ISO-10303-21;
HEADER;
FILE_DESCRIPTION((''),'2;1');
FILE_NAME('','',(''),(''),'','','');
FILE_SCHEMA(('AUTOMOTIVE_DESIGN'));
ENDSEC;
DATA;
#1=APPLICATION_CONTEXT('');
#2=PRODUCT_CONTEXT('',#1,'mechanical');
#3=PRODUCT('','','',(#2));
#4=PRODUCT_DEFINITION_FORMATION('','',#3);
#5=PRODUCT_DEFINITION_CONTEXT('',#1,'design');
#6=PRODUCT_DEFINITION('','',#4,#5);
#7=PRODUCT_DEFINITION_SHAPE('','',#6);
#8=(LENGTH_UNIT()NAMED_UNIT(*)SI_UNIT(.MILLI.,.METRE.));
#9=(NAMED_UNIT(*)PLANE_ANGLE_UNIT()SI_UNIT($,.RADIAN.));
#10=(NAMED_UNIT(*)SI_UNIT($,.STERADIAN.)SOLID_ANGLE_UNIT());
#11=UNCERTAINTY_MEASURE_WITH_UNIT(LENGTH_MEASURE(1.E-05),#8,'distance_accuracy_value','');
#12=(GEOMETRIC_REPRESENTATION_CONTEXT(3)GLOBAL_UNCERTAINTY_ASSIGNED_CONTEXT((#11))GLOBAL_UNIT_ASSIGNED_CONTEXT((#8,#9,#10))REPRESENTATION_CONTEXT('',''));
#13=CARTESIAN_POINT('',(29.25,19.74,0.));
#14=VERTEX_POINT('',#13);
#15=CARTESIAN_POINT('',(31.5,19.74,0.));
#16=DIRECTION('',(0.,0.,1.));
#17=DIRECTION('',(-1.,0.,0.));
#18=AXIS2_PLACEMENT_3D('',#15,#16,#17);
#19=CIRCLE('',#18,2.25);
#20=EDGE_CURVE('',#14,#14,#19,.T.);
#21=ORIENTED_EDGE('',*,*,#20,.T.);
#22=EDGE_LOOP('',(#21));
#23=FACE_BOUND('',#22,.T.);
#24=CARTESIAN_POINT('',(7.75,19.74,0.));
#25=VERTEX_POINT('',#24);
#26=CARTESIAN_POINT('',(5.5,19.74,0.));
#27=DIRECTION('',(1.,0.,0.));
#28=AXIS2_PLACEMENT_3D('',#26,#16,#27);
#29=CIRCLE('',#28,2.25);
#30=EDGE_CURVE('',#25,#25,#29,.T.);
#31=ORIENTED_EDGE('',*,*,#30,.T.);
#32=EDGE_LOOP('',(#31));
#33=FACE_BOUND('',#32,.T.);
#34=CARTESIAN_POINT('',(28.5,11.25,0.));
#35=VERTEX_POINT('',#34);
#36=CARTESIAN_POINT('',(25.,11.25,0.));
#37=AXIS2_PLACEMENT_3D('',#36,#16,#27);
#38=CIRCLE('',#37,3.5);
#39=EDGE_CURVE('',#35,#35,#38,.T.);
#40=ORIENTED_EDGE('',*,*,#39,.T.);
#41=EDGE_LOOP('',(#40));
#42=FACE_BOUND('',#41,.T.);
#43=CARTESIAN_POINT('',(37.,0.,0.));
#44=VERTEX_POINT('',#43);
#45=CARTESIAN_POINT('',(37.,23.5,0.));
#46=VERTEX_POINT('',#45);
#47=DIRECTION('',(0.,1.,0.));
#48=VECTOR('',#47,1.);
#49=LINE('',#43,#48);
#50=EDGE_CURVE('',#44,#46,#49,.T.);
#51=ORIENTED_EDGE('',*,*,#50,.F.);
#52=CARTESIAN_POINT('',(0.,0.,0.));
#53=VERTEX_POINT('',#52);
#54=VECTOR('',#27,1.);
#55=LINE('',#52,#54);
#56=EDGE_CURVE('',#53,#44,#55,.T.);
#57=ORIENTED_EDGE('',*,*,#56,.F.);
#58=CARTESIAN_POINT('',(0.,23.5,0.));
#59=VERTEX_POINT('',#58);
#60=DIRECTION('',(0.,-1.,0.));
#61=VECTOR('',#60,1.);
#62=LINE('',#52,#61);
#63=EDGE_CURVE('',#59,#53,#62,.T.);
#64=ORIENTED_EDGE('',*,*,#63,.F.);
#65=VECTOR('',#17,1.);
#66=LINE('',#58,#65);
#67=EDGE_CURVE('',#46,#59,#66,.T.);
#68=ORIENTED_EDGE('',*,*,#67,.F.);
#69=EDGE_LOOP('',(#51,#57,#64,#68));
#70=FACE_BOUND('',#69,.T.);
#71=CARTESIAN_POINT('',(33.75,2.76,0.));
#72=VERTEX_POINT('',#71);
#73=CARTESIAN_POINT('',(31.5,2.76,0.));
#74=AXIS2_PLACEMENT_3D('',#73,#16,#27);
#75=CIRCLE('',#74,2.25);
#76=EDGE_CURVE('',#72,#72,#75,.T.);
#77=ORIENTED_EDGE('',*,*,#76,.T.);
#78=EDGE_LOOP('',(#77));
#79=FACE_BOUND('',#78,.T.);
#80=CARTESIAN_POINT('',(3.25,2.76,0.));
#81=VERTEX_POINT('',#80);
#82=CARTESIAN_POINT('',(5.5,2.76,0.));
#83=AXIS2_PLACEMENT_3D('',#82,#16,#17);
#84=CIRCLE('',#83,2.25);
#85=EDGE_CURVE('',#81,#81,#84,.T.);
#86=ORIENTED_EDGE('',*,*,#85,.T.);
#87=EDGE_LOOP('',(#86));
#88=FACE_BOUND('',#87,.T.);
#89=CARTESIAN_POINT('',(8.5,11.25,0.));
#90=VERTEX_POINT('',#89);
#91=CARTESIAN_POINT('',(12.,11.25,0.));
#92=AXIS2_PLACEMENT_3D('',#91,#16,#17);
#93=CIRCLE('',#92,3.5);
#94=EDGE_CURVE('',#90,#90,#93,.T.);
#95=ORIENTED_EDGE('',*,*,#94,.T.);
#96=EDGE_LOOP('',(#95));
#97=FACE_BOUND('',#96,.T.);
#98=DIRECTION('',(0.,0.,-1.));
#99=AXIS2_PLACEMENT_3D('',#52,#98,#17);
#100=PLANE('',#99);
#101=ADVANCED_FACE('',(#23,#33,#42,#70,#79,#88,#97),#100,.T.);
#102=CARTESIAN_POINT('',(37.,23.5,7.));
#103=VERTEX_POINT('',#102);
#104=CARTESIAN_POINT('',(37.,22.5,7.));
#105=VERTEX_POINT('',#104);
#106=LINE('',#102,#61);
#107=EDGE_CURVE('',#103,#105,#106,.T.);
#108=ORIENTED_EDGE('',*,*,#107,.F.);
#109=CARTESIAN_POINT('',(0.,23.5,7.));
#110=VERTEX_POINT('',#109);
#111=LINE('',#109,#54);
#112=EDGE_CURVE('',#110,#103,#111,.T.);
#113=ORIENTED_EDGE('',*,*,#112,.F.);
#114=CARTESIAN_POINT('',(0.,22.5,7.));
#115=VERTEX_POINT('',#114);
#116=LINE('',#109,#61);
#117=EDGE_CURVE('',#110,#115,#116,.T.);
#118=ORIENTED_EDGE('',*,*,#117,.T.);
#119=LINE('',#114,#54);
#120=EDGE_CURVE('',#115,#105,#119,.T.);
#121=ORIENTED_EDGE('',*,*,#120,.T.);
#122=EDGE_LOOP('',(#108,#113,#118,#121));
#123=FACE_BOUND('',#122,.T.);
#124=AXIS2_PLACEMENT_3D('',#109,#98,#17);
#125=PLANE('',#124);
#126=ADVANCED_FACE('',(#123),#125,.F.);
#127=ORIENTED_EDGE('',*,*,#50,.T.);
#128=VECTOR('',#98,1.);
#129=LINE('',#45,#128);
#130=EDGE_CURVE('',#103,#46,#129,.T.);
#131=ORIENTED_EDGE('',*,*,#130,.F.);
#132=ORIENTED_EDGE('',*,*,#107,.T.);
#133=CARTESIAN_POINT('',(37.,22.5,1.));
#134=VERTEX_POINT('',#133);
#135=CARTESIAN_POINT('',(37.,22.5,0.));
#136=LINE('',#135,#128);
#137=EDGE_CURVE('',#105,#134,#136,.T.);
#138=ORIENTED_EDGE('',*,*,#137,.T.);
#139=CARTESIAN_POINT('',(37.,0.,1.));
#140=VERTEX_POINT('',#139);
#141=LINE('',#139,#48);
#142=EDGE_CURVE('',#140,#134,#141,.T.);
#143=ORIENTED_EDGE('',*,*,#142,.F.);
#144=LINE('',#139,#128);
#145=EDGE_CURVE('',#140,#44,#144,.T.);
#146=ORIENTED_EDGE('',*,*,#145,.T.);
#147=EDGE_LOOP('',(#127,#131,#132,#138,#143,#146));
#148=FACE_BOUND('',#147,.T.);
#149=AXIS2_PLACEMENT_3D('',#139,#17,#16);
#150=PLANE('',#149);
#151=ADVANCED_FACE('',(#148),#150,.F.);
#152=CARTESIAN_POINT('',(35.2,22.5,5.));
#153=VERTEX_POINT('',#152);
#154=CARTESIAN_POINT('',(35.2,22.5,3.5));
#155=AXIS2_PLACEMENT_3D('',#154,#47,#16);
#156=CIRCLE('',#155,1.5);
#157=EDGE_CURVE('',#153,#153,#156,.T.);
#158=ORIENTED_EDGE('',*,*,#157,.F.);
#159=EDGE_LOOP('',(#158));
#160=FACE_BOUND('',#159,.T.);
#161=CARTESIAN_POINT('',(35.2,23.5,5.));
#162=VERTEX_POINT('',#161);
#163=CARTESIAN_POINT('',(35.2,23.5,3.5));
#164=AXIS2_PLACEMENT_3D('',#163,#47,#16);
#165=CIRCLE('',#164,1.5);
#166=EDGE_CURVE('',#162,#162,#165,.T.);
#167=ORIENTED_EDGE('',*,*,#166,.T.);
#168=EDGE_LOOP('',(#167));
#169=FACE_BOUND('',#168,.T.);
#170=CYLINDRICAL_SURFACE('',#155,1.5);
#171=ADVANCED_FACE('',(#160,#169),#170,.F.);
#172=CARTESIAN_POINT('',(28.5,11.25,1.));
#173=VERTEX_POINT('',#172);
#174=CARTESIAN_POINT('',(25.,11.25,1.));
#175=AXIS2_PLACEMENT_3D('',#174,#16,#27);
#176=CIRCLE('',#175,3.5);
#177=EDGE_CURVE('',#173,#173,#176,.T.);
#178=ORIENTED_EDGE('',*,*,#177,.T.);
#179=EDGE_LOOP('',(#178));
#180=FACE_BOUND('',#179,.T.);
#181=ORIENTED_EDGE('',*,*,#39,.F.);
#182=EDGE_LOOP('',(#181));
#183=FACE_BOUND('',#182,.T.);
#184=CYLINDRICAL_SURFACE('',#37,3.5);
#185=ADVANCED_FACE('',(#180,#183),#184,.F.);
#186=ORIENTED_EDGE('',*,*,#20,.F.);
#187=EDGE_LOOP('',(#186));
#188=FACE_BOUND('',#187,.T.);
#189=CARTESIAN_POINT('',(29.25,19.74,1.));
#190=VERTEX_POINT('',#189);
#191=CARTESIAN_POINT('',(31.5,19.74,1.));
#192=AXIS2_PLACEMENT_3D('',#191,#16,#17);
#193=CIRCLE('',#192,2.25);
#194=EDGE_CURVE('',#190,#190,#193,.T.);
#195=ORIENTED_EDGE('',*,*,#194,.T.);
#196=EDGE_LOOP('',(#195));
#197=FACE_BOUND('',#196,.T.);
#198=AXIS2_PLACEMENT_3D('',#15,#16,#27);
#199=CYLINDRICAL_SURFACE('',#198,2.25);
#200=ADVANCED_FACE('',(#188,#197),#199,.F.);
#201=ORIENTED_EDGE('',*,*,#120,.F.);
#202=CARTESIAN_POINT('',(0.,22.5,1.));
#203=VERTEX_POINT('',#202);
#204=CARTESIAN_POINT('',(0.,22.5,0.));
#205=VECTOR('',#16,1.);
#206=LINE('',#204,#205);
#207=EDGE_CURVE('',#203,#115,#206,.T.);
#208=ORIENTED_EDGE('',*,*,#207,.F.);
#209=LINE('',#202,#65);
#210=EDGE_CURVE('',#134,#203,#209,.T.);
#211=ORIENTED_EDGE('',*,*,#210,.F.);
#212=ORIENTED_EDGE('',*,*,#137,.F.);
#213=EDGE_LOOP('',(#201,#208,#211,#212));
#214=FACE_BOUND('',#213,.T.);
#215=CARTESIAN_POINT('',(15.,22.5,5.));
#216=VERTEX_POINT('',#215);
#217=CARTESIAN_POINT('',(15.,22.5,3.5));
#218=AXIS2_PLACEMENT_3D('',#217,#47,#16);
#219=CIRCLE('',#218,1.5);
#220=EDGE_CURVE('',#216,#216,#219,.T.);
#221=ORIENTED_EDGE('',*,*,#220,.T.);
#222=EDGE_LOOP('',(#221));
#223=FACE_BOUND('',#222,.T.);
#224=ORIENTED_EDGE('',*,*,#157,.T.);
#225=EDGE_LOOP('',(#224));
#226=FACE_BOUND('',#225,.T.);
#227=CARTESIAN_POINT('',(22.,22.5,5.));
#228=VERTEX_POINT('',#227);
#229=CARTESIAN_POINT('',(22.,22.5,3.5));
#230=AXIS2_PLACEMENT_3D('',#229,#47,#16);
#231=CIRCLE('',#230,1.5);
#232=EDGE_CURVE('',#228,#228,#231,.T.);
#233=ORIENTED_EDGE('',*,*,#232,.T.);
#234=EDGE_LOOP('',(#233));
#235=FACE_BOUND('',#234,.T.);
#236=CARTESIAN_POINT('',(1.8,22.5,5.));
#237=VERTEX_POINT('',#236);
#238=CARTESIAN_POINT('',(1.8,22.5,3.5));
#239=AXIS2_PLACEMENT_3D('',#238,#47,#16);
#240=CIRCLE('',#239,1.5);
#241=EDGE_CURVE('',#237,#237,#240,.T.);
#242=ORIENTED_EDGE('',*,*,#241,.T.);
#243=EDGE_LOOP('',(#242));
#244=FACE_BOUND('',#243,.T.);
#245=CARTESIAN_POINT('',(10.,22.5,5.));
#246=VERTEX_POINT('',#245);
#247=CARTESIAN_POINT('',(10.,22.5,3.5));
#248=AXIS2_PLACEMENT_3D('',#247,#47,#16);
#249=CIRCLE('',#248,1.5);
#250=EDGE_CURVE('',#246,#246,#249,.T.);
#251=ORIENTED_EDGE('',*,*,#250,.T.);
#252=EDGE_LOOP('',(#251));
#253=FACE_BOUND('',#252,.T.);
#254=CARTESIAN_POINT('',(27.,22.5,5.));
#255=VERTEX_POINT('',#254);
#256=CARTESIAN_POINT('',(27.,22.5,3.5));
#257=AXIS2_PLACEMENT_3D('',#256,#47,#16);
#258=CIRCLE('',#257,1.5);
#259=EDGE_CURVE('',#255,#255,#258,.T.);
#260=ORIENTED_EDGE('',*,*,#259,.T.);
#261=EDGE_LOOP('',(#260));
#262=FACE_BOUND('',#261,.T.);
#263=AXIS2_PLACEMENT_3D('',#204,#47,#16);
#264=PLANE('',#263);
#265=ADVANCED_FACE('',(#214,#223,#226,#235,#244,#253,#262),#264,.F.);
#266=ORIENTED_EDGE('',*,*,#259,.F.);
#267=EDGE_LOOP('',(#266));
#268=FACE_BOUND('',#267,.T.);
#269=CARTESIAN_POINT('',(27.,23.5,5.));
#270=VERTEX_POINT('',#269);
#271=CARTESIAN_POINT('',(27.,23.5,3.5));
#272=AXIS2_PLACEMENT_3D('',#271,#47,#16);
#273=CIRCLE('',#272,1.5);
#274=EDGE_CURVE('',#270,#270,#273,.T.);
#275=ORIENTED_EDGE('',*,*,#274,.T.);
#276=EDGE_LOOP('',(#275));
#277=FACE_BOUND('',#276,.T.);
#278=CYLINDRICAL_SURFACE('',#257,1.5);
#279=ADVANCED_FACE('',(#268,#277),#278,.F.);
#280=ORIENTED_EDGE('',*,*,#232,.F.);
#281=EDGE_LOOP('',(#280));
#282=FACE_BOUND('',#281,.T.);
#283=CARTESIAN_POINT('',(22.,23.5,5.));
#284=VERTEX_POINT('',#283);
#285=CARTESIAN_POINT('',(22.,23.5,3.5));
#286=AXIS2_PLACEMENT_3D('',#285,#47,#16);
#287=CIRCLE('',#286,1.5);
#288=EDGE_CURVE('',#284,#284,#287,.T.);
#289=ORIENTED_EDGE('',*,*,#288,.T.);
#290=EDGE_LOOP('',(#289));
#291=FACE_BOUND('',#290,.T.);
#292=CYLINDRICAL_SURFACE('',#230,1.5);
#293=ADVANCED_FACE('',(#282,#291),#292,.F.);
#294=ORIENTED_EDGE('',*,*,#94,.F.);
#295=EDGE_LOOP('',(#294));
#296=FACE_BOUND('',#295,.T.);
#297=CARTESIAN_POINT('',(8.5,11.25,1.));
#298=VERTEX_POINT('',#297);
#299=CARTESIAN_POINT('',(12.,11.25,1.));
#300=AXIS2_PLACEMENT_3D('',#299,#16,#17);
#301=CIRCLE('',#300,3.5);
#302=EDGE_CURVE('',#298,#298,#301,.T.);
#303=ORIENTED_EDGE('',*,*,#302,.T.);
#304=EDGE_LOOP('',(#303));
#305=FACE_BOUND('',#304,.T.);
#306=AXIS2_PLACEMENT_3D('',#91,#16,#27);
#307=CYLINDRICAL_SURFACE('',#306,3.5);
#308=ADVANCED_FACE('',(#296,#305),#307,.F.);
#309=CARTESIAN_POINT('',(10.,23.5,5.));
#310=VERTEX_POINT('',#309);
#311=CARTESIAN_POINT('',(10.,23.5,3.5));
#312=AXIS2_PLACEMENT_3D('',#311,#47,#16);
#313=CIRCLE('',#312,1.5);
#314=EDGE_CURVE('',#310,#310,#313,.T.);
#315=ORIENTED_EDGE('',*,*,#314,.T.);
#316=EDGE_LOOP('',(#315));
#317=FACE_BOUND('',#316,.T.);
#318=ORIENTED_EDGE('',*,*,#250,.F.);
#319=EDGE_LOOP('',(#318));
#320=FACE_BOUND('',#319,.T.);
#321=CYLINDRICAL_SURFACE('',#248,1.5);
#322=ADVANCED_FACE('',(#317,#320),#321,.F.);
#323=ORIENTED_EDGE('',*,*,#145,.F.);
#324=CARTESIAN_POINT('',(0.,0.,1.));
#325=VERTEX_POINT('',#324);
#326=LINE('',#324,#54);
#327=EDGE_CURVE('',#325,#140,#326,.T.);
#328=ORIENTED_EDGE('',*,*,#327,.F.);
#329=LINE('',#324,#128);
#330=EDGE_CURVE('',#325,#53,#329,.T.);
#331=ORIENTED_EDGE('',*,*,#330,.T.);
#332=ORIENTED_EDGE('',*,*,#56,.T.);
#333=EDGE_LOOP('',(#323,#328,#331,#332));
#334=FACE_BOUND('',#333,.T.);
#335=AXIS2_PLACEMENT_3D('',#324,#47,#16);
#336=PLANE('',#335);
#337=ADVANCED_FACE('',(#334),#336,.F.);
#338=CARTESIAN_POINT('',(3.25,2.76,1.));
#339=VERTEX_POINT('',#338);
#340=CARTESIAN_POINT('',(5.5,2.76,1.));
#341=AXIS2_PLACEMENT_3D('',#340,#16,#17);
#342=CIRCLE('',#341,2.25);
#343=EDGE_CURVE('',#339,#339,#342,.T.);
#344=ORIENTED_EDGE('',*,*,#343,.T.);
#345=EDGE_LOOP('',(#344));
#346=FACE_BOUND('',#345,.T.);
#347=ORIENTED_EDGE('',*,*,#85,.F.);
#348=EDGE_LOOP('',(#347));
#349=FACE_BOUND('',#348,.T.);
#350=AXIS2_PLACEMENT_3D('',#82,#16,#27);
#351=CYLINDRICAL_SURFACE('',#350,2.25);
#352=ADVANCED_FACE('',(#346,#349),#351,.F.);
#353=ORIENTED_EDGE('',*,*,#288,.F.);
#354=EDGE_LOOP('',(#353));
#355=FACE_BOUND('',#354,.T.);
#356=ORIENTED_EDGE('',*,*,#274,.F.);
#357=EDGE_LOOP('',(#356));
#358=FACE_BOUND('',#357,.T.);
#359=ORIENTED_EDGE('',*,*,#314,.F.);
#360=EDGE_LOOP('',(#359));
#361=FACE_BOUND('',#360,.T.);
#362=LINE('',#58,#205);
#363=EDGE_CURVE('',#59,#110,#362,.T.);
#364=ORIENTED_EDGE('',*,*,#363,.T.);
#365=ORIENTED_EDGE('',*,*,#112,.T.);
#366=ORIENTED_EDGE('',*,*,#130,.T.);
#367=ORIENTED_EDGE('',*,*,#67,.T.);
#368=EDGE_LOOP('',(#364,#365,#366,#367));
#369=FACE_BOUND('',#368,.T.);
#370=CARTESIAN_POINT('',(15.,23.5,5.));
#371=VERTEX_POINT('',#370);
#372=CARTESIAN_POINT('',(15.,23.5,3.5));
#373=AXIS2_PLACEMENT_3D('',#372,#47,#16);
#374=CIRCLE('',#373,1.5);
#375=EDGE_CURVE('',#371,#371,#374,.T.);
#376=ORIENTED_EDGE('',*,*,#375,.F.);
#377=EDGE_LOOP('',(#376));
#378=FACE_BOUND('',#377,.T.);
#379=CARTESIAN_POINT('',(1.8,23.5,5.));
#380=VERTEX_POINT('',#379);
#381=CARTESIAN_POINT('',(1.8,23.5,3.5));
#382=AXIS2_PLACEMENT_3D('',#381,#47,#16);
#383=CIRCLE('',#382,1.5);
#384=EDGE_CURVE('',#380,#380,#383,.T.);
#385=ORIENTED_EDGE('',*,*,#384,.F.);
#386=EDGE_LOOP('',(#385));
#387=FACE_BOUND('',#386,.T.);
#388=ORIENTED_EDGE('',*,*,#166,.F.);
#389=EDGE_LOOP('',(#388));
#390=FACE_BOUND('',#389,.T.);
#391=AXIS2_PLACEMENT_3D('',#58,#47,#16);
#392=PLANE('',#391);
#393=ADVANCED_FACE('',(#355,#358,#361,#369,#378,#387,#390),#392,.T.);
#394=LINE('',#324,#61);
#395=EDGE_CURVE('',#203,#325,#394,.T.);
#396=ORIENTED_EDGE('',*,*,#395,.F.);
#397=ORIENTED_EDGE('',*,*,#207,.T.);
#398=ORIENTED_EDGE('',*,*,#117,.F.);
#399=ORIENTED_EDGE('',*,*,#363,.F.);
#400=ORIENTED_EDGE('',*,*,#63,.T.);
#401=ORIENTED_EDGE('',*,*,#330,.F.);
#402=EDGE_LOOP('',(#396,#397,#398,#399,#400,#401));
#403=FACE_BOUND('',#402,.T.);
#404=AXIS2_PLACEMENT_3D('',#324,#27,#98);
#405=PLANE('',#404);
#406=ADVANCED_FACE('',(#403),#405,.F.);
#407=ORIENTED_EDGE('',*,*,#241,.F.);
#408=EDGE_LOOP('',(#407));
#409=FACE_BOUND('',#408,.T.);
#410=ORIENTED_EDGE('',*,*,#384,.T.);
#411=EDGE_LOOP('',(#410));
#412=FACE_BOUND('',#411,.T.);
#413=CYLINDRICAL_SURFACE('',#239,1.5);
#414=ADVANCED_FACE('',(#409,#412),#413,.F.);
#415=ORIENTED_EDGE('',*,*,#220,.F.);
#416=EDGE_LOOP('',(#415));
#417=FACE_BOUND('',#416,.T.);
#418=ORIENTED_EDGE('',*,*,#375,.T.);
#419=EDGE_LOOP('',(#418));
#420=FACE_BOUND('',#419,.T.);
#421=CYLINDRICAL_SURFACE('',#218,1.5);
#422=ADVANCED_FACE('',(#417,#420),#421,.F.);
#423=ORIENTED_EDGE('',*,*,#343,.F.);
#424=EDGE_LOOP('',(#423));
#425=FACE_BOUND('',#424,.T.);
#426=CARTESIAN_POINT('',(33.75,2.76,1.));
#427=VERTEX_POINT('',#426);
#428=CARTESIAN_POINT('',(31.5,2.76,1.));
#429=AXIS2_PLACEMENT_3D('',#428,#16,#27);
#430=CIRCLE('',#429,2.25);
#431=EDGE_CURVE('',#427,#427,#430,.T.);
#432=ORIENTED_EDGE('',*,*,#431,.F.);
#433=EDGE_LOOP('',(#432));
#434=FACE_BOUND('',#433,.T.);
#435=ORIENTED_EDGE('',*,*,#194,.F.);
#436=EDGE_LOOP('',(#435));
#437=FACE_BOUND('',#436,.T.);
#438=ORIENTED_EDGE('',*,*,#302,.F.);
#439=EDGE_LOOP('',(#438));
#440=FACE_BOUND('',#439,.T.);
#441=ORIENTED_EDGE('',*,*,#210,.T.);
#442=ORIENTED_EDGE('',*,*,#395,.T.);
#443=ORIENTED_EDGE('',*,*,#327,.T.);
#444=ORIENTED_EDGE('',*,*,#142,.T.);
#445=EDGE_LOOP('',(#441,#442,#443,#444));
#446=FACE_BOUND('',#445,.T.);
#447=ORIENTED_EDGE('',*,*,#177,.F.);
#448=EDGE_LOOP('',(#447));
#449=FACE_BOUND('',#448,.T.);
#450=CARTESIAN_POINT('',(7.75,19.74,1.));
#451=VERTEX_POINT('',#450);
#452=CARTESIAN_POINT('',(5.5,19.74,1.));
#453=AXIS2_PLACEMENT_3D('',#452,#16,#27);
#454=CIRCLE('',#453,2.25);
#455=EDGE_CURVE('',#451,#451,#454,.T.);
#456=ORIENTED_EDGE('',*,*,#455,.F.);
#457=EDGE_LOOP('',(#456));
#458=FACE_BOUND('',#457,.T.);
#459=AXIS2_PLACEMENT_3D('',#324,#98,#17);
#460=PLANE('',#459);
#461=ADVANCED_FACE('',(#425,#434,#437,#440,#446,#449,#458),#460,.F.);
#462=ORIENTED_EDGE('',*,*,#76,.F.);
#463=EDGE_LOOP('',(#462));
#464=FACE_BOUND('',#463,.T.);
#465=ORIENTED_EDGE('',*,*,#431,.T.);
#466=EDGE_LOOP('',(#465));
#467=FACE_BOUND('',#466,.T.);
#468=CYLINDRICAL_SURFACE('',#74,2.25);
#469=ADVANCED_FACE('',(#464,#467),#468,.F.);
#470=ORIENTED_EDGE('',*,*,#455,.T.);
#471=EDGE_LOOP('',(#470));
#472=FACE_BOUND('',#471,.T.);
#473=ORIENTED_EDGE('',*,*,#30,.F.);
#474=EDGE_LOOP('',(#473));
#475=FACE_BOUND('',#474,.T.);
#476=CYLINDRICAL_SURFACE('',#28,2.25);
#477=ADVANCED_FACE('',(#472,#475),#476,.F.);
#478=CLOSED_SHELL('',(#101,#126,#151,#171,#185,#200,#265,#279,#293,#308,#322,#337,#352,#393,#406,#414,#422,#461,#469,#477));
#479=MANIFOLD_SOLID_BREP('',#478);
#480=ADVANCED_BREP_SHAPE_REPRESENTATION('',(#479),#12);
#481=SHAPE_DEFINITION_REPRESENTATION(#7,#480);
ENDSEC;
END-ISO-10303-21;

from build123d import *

# Parameters (mm, degrees)
ESBO_O1_W                = 37
ESBO_O1_H                = 22.5
RESSALTO_EXTRUS_O1_DEPTH = 1
ESBO_O2_R                = 2.25
ESBO_O2_R_2              = 3.5
CORTE_EXTRUS_O1_DEPTH    = 1
ESBO_O3_W                = 37
ESBO_O3_H                = 7
RESSALTO_EXTRUS_O2_DEPTH = 1
ESBO_O5_R                = 1.5
CORTE_EXTRUS_O2_DEPTH    = 1


with BuildPart() as part:
    # Esboço1 → Ressalto-extrusão1 (new body)
    with BuildSketch(Plane.XY):
        with Locations((18.5, 11.25)):
            Rectangle(ESBO_O1_W, ESBO_O1_H)
    extrude(amount=RESSALTO_EXTRUS_O1_DEPTH)

    # Esboço2 → Corte-extrusão1 (cut)
    with BuildSketch(Plane.XY.offset(1)):
        with Locations((5.5, 19.74)):
            Circle(ESBO_O2_R)
        with Locations((25, 11.25)):
            Circle(ESBO_O2_R_2)
        with Locations(Location((5.5, 2.76, 0), (0, 0, 180))):
            Circle(ESBO_O2_R)
        with Locations(Location((12, 11.25, 0), (0, 0, 180))):
            Circle(ESBO_O2_R_2)
        with Locations((31.5, 2.76)):
            Circle(ESBO_O2_R)
        with Locations(Location((31.5, 19.74, 0), (0, 0, 180))):
            Circle(ESBO_O2_R)
    extrude(amount=-CORTE_EXTRUS_O1_DEPTH, mode=Mode.SUBTRACT)

    # Esboço3 → Ressalto-extrusão2 (add)
    with BuildSketch(Plane(origin=(0, 22.5, 0), x_dir=(1, 0, 0), z_dir=(0, 1, 0))):
        with Locations((18.5, -3.5)):
            Rectangle(ESBO_O3_W, ESBO_O3_H)
    extrude(amount=RESSALTO_EXTRUS_O2_DEPTH)

    # Esboço5 → Corte-extrusão2 (cut)
    with BuildSketch(Plane(origin=(0, 23.5, 0), x_dir=(1, 0, 0), z_dir=(0, 1, 0))):
        with Locations(Location((1.8, -3.5, 0), (0, 0, 270))):
            Circle(ESBO_O5_R)
        with Locations(Location((10, -3.5, 0), (0, 0, 270))):
            Circle(ESBO_O5_R)
        with Locations(Location((15, -3.5, 0), (0, 0, 270))):
            Circle(ESBO_O5_R)
        with Locations(Location((22, -3.5, 0), (0, 0, 270))):
            Circle(ESBO_O5_R)
        with Locations(Location((27, -3.5, 0), (0, 0, 270))):
            Circle(ESBO_O5_R)
        with Locations(Location((35.2, -3.5, 0), (0, 0, 270))):
            Circle(ESBO_O5_R)
    extrude(amount=-CORTE_EXTRUS_O2_DEPTH, mode=Mode.SUBTRACT)


solid = part.part
